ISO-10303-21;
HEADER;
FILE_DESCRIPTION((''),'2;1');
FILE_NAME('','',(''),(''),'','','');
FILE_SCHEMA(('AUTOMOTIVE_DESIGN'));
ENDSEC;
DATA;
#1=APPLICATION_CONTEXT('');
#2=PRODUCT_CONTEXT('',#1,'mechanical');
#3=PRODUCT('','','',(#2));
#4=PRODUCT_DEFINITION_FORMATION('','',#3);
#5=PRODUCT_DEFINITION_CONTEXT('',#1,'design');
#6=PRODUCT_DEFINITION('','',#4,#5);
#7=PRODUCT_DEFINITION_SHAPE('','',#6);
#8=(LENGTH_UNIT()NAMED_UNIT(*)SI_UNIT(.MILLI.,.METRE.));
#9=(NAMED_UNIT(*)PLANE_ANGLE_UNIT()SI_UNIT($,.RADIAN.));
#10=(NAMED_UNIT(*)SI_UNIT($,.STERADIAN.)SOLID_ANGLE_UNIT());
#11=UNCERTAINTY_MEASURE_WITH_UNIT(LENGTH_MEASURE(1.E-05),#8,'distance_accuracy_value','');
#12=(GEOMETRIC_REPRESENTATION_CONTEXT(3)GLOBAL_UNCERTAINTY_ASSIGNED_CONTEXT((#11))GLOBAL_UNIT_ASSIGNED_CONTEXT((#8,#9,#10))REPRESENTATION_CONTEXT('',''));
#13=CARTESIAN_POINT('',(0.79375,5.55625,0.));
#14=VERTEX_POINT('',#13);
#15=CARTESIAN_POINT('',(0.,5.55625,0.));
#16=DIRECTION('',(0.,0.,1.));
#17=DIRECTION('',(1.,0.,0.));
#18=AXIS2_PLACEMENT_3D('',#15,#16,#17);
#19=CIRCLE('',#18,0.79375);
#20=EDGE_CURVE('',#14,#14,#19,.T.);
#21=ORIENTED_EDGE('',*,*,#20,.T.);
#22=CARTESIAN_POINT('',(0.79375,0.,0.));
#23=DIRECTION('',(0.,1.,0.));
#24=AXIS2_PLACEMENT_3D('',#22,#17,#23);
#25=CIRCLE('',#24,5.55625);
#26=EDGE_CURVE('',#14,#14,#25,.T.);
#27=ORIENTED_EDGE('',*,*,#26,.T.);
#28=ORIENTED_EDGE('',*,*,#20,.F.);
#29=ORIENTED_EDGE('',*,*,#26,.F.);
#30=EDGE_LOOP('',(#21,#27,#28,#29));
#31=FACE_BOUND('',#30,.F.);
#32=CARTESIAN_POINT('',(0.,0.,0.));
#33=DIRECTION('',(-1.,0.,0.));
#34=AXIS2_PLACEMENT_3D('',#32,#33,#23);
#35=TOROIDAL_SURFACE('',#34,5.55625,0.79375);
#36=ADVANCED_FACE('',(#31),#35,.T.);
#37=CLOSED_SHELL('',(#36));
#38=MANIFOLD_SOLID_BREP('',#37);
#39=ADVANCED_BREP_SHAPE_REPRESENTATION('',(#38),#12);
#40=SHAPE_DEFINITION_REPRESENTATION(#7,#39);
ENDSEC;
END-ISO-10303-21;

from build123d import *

# Parameters (mm, degrees)
SKETCH1_R = 0.79375


with BuildPart() as part:
    # Sketch1 → Revolve2 (revolve)
    with BuildSketch(Plane.XY):
        with Locations((0, 5.55625)):
            Circle(SKETCH1_R)
    revolve(axis=Axis((-3.180246236, 0, 0), (1, 0, 0)))


solid = part.part
